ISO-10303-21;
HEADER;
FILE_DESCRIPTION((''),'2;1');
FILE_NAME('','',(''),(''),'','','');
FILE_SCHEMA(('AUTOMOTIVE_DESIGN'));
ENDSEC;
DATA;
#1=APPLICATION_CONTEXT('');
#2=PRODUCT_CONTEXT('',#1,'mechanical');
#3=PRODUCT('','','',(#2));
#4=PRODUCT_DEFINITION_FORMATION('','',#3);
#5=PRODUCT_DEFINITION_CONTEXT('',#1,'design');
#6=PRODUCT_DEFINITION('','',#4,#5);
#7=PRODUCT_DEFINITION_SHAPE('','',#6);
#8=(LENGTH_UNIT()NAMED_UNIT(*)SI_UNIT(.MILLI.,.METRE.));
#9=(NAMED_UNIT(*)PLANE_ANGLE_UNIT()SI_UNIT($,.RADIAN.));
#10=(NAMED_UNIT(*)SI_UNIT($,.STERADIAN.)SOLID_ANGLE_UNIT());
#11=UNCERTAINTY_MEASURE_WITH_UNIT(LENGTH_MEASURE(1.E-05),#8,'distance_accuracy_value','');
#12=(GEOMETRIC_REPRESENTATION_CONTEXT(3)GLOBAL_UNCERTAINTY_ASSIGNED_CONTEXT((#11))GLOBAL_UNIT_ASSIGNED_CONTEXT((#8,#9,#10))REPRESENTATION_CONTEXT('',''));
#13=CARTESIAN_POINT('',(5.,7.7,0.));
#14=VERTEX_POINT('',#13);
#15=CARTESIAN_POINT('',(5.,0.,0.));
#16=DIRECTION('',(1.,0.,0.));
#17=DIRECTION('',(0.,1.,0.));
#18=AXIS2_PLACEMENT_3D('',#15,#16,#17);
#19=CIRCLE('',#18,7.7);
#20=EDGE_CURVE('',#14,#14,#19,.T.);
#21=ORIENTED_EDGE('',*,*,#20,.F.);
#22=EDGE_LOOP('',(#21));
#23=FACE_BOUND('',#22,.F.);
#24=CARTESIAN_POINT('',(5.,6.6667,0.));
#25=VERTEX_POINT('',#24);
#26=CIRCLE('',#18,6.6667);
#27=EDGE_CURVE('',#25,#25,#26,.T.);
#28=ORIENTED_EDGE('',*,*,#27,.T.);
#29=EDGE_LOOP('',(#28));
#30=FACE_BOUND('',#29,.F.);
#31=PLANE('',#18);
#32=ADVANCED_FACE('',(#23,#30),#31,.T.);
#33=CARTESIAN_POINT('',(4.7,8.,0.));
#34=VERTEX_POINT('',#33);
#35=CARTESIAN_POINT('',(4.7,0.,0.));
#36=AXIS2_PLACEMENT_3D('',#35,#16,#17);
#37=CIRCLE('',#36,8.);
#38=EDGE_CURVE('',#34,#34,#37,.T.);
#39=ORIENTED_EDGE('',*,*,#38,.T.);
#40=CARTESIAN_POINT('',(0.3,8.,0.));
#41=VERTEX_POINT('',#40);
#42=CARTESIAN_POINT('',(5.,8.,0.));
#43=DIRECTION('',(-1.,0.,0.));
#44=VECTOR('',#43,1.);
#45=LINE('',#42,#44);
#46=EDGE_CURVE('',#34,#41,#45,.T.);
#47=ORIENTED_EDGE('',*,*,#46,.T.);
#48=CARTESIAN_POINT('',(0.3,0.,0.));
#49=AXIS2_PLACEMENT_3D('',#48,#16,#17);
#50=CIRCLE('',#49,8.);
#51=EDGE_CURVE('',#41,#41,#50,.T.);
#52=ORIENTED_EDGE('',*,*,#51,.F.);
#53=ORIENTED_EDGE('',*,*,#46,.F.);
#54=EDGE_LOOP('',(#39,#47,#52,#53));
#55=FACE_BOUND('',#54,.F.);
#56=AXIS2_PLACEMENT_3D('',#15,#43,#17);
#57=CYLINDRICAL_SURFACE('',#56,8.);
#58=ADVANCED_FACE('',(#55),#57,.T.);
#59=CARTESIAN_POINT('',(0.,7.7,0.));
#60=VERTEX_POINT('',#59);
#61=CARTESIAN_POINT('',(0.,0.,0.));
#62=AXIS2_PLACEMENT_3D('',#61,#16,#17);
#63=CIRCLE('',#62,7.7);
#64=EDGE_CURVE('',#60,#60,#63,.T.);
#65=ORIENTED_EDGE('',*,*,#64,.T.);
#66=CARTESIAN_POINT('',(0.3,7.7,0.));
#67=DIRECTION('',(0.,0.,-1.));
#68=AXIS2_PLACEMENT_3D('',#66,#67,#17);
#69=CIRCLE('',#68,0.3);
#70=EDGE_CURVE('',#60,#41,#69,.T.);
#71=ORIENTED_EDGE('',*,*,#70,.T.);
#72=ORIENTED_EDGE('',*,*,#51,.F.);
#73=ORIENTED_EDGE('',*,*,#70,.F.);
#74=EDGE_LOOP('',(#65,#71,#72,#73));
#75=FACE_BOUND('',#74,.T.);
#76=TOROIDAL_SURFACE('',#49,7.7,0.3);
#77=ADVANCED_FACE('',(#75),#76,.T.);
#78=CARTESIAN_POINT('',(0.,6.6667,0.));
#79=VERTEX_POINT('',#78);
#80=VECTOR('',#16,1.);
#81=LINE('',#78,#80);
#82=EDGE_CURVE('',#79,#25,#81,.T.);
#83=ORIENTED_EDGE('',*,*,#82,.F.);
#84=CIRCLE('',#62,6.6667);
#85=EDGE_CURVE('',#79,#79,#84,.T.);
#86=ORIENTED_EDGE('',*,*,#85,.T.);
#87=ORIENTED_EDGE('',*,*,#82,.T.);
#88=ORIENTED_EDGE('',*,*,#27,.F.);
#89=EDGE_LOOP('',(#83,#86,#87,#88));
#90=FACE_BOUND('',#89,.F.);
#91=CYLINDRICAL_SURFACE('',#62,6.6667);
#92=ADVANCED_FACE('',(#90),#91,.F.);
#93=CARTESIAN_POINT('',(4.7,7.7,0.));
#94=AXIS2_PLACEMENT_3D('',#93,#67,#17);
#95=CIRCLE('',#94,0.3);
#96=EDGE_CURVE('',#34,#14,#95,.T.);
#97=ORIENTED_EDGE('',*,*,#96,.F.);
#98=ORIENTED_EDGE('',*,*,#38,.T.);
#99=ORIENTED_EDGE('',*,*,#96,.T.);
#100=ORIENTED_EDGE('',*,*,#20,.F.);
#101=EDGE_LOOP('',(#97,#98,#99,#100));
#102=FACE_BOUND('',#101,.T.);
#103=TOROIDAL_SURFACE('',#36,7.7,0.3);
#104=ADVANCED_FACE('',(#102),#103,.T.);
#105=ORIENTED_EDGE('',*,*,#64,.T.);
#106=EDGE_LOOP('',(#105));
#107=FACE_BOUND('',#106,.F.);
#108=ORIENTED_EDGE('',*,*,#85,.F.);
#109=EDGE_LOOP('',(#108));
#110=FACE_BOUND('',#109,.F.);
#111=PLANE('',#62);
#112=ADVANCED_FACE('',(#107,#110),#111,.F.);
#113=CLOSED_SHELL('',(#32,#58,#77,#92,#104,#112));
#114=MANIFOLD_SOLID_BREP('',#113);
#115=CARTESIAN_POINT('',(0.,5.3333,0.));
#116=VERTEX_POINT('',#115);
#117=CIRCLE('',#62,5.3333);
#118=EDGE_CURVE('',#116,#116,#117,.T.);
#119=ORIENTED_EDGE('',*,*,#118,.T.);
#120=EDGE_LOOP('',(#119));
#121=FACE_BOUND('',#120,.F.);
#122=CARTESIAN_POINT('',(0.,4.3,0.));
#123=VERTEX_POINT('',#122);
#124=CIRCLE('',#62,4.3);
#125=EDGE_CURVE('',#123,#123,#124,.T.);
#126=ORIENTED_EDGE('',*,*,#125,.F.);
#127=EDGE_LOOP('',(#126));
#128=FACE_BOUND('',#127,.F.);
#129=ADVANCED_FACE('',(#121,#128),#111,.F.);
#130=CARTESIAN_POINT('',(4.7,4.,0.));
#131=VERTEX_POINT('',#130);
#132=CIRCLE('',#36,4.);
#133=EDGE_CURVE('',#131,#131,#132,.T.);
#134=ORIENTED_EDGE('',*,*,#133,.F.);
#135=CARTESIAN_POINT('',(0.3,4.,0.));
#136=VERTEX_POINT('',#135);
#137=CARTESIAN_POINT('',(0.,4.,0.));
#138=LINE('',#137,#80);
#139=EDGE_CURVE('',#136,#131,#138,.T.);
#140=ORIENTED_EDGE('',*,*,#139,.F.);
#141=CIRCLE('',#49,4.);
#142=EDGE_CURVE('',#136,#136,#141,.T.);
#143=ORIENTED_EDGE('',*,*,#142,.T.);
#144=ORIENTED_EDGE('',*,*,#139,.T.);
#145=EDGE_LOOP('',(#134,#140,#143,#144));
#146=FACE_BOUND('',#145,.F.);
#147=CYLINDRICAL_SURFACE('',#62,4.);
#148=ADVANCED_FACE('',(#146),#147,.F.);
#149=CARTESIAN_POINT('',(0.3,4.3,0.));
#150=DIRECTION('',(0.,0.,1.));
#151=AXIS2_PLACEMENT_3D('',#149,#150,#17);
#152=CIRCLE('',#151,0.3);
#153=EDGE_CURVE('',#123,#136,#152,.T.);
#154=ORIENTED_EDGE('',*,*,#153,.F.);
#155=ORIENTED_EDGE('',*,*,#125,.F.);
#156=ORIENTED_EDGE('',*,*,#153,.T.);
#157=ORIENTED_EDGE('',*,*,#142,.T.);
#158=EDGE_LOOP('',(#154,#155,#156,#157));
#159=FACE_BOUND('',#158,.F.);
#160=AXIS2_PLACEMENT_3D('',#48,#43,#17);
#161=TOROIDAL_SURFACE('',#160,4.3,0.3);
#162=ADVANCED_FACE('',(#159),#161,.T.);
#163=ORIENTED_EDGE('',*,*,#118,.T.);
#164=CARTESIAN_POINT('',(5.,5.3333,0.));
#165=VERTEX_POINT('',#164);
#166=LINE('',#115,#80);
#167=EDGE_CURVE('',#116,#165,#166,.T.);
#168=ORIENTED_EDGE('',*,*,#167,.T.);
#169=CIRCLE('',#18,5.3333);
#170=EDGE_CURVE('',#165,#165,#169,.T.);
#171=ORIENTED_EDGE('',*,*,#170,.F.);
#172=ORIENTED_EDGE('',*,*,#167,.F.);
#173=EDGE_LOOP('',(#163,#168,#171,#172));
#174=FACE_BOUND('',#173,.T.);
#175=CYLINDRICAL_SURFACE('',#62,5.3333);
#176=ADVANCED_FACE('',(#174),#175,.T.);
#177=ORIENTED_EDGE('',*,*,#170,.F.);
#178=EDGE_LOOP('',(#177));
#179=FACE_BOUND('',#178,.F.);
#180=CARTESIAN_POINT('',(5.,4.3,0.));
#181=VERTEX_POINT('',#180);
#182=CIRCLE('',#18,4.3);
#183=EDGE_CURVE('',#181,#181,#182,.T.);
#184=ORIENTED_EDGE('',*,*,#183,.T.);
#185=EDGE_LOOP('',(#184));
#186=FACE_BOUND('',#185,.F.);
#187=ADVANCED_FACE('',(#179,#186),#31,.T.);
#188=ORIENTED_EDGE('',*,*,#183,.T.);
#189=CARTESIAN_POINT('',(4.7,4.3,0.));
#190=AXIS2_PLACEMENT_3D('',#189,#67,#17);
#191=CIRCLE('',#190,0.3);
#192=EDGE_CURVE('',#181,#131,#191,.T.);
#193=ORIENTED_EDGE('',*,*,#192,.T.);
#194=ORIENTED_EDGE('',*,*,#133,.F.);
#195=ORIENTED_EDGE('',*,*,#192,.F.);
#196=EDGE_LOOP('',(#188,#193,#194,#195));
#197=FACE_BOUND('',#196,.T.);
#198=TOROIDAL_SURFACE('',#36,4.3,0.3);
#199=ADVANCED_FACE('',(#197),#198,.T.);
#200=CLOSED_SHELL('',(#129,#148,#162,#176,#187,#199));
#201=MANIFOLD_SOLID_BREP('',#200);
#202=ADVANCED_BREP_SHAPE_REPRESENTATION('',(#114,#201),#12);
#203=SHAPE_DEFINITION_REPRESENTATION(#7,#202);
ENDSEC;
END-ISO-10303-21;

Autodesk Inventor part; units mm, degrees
ref_plane "YZ Plane" through (0, 0, 0) normal (1, 0, 0) x (0, 1, 0)
ref_plane "XZ Plane" through (0, 0, 0) normal (0, 1, 0) x (-1, 0, 0)
ref_plane "XY Plane" through (0, 0, 0) normal (0, 0, 1) x (1, 0, 0)
sketch "Sketch" plane through (0, 0, 0) normal (0, 0, 1) x (1, 0, 0)
  line L0 (0, 0) -> (5, 0)
  line L1 (0, 0) -> (0, 4) construction
  line L2 (0, 4) -> (5, 4)
  line L3 (5, 4) -> (5, 8)
  line L4 (5, 8) -> (0, 8)
  line L5 (0, 8) -> (0, 4)
  line L6 (0, 6) -> (5, 6)
  line L7 (0, 6.6667) -> (5, 6.6667)
  line L8 (0, 5.3333) -> (5, 5.3333)
  dimension "d0" = 5
  dimension "d1" = 8
  dimension "d2" = 10.6667
  dimension "d3" = 16
revolve "Body" add sketch "Sketch" angle 360 about axis through (0, 0, 0) along (1, 0, 0) contours L5 L8 L3 L2 | L5 L4 L3 L7
fillet "Fillet1" radius 0.3 4 edges at (0, -8, 0) (5, -8, 0) (0, -4, 0) (5, -4, 0)
equation "\"d0\" = KB"
equation "\"d1\" = WD"
equation "\"d2\" = 0.333333 * BD + 0.666667 * WD"
equation "\"d3\" = BD"
equation "\"d5\" = KRS"
equation "\"WD\" = 8"
equation "\"BD\" = 16"
equation "\"KB\" = 5"
equation "\"KRS\" = 0.3"
equation "\"BBA\" = 0"
equation "\"KR1S\" = 0.15"
equation "\"BR\" = 0.5 * BD"
equation "\"WR\" = 0.5 * WD"
properties part number "ISO 1224-1 - 10 - 8 x 22 x 7" material "Steel, Mild"
